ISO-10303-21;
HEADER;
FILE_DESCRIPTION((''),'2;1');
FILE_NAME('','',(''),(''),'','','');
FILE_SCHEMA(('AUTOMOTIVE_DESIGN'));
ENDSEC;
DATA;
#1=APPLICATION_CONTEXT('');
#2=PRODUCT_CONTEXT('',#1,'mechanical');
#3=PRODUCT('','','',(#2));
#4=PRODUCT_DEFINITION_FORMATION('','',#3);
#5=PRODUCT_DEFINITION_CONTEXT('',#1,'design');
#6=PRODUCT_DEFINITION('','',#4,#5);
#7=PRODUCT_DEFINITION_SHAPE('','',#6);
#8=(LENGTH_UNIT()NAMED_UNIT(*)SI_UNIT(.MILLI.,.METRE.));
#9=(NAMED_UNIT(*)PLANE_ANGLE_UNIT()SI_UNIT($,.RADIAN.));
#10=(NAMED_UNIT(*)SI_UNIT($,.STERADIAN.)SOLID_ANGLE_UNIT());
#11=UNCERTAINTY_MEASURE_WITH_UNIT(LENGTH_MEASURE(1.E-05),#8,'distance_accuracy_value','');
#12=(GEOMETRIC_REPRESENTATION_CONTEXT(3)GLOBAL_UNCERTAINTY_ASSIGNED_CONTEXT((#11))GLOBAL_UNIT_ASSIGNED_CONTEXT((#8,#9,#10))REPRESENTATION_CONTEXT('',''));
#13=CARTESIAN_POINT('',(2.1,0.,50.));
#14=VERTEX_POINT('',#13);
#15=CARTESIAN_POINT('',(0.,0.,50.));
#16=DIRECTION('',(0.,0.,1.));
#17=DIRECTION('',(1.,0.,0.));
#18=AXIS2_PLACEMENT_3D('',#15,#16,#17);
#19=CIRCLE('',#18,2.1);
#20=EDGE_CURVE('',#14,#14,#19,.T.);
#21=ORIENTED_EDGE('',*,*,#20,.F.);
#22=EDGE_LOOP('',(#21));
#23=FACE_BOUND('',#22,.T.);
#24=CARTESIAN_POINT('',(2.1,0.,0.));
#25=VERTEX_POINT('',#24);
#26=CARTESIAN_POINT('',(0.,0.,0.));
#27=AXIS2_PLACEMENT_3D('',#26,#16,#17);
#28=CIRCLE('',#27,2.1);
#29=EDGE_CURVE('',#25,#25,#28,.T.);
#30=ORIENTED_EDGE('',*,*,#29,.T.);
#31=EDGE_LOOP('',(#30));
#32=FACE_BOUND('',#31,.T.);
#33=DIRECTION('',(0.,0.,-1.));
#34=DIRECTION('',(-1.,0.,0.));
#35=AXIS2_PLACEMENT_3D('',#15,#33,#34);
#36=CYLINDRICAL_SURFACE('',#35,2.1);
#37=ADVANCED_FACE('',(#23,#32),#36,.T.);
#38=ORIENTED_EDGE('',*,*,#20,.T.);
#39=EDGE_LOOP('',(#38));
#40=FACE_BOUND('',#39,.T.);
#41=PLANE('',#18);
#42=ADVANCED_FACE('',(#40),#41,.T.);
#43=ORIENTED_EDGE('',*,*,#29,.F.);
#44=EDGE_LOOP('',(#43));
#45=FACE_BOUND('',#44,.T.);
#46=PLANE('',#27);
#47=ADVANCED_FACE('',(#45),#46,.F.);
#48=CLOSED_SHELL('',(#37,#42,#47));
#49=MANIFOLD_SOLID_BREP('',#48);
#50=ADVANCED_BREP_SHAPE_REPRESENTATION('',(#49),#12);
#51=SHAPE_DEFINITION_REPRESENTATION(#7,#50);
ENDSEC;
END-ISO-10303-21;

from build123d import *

# Parameters (mm, degrees)
SCHIZZO1_R                   = 2.1
ESTRUSIONE_ESTRUSIONE1_DEPTH = 50


with BuildPart() as part:
    # Schizzo1 → Estrusione-Estrusione1 (new body)
    with BuildSketch(Plane(origin=(0, 0, 0), x_dir=(0, 1, 0), z_dir=(0, 0, 1))):
        with Locations(Location((0, 0, 0), (0, 0, 270))):
            Circle(SCHIZZO1_R)
    extrude(amount=ESTRUSIONE_ESTRUSIONE1_DEPTH)


solid = part.part
